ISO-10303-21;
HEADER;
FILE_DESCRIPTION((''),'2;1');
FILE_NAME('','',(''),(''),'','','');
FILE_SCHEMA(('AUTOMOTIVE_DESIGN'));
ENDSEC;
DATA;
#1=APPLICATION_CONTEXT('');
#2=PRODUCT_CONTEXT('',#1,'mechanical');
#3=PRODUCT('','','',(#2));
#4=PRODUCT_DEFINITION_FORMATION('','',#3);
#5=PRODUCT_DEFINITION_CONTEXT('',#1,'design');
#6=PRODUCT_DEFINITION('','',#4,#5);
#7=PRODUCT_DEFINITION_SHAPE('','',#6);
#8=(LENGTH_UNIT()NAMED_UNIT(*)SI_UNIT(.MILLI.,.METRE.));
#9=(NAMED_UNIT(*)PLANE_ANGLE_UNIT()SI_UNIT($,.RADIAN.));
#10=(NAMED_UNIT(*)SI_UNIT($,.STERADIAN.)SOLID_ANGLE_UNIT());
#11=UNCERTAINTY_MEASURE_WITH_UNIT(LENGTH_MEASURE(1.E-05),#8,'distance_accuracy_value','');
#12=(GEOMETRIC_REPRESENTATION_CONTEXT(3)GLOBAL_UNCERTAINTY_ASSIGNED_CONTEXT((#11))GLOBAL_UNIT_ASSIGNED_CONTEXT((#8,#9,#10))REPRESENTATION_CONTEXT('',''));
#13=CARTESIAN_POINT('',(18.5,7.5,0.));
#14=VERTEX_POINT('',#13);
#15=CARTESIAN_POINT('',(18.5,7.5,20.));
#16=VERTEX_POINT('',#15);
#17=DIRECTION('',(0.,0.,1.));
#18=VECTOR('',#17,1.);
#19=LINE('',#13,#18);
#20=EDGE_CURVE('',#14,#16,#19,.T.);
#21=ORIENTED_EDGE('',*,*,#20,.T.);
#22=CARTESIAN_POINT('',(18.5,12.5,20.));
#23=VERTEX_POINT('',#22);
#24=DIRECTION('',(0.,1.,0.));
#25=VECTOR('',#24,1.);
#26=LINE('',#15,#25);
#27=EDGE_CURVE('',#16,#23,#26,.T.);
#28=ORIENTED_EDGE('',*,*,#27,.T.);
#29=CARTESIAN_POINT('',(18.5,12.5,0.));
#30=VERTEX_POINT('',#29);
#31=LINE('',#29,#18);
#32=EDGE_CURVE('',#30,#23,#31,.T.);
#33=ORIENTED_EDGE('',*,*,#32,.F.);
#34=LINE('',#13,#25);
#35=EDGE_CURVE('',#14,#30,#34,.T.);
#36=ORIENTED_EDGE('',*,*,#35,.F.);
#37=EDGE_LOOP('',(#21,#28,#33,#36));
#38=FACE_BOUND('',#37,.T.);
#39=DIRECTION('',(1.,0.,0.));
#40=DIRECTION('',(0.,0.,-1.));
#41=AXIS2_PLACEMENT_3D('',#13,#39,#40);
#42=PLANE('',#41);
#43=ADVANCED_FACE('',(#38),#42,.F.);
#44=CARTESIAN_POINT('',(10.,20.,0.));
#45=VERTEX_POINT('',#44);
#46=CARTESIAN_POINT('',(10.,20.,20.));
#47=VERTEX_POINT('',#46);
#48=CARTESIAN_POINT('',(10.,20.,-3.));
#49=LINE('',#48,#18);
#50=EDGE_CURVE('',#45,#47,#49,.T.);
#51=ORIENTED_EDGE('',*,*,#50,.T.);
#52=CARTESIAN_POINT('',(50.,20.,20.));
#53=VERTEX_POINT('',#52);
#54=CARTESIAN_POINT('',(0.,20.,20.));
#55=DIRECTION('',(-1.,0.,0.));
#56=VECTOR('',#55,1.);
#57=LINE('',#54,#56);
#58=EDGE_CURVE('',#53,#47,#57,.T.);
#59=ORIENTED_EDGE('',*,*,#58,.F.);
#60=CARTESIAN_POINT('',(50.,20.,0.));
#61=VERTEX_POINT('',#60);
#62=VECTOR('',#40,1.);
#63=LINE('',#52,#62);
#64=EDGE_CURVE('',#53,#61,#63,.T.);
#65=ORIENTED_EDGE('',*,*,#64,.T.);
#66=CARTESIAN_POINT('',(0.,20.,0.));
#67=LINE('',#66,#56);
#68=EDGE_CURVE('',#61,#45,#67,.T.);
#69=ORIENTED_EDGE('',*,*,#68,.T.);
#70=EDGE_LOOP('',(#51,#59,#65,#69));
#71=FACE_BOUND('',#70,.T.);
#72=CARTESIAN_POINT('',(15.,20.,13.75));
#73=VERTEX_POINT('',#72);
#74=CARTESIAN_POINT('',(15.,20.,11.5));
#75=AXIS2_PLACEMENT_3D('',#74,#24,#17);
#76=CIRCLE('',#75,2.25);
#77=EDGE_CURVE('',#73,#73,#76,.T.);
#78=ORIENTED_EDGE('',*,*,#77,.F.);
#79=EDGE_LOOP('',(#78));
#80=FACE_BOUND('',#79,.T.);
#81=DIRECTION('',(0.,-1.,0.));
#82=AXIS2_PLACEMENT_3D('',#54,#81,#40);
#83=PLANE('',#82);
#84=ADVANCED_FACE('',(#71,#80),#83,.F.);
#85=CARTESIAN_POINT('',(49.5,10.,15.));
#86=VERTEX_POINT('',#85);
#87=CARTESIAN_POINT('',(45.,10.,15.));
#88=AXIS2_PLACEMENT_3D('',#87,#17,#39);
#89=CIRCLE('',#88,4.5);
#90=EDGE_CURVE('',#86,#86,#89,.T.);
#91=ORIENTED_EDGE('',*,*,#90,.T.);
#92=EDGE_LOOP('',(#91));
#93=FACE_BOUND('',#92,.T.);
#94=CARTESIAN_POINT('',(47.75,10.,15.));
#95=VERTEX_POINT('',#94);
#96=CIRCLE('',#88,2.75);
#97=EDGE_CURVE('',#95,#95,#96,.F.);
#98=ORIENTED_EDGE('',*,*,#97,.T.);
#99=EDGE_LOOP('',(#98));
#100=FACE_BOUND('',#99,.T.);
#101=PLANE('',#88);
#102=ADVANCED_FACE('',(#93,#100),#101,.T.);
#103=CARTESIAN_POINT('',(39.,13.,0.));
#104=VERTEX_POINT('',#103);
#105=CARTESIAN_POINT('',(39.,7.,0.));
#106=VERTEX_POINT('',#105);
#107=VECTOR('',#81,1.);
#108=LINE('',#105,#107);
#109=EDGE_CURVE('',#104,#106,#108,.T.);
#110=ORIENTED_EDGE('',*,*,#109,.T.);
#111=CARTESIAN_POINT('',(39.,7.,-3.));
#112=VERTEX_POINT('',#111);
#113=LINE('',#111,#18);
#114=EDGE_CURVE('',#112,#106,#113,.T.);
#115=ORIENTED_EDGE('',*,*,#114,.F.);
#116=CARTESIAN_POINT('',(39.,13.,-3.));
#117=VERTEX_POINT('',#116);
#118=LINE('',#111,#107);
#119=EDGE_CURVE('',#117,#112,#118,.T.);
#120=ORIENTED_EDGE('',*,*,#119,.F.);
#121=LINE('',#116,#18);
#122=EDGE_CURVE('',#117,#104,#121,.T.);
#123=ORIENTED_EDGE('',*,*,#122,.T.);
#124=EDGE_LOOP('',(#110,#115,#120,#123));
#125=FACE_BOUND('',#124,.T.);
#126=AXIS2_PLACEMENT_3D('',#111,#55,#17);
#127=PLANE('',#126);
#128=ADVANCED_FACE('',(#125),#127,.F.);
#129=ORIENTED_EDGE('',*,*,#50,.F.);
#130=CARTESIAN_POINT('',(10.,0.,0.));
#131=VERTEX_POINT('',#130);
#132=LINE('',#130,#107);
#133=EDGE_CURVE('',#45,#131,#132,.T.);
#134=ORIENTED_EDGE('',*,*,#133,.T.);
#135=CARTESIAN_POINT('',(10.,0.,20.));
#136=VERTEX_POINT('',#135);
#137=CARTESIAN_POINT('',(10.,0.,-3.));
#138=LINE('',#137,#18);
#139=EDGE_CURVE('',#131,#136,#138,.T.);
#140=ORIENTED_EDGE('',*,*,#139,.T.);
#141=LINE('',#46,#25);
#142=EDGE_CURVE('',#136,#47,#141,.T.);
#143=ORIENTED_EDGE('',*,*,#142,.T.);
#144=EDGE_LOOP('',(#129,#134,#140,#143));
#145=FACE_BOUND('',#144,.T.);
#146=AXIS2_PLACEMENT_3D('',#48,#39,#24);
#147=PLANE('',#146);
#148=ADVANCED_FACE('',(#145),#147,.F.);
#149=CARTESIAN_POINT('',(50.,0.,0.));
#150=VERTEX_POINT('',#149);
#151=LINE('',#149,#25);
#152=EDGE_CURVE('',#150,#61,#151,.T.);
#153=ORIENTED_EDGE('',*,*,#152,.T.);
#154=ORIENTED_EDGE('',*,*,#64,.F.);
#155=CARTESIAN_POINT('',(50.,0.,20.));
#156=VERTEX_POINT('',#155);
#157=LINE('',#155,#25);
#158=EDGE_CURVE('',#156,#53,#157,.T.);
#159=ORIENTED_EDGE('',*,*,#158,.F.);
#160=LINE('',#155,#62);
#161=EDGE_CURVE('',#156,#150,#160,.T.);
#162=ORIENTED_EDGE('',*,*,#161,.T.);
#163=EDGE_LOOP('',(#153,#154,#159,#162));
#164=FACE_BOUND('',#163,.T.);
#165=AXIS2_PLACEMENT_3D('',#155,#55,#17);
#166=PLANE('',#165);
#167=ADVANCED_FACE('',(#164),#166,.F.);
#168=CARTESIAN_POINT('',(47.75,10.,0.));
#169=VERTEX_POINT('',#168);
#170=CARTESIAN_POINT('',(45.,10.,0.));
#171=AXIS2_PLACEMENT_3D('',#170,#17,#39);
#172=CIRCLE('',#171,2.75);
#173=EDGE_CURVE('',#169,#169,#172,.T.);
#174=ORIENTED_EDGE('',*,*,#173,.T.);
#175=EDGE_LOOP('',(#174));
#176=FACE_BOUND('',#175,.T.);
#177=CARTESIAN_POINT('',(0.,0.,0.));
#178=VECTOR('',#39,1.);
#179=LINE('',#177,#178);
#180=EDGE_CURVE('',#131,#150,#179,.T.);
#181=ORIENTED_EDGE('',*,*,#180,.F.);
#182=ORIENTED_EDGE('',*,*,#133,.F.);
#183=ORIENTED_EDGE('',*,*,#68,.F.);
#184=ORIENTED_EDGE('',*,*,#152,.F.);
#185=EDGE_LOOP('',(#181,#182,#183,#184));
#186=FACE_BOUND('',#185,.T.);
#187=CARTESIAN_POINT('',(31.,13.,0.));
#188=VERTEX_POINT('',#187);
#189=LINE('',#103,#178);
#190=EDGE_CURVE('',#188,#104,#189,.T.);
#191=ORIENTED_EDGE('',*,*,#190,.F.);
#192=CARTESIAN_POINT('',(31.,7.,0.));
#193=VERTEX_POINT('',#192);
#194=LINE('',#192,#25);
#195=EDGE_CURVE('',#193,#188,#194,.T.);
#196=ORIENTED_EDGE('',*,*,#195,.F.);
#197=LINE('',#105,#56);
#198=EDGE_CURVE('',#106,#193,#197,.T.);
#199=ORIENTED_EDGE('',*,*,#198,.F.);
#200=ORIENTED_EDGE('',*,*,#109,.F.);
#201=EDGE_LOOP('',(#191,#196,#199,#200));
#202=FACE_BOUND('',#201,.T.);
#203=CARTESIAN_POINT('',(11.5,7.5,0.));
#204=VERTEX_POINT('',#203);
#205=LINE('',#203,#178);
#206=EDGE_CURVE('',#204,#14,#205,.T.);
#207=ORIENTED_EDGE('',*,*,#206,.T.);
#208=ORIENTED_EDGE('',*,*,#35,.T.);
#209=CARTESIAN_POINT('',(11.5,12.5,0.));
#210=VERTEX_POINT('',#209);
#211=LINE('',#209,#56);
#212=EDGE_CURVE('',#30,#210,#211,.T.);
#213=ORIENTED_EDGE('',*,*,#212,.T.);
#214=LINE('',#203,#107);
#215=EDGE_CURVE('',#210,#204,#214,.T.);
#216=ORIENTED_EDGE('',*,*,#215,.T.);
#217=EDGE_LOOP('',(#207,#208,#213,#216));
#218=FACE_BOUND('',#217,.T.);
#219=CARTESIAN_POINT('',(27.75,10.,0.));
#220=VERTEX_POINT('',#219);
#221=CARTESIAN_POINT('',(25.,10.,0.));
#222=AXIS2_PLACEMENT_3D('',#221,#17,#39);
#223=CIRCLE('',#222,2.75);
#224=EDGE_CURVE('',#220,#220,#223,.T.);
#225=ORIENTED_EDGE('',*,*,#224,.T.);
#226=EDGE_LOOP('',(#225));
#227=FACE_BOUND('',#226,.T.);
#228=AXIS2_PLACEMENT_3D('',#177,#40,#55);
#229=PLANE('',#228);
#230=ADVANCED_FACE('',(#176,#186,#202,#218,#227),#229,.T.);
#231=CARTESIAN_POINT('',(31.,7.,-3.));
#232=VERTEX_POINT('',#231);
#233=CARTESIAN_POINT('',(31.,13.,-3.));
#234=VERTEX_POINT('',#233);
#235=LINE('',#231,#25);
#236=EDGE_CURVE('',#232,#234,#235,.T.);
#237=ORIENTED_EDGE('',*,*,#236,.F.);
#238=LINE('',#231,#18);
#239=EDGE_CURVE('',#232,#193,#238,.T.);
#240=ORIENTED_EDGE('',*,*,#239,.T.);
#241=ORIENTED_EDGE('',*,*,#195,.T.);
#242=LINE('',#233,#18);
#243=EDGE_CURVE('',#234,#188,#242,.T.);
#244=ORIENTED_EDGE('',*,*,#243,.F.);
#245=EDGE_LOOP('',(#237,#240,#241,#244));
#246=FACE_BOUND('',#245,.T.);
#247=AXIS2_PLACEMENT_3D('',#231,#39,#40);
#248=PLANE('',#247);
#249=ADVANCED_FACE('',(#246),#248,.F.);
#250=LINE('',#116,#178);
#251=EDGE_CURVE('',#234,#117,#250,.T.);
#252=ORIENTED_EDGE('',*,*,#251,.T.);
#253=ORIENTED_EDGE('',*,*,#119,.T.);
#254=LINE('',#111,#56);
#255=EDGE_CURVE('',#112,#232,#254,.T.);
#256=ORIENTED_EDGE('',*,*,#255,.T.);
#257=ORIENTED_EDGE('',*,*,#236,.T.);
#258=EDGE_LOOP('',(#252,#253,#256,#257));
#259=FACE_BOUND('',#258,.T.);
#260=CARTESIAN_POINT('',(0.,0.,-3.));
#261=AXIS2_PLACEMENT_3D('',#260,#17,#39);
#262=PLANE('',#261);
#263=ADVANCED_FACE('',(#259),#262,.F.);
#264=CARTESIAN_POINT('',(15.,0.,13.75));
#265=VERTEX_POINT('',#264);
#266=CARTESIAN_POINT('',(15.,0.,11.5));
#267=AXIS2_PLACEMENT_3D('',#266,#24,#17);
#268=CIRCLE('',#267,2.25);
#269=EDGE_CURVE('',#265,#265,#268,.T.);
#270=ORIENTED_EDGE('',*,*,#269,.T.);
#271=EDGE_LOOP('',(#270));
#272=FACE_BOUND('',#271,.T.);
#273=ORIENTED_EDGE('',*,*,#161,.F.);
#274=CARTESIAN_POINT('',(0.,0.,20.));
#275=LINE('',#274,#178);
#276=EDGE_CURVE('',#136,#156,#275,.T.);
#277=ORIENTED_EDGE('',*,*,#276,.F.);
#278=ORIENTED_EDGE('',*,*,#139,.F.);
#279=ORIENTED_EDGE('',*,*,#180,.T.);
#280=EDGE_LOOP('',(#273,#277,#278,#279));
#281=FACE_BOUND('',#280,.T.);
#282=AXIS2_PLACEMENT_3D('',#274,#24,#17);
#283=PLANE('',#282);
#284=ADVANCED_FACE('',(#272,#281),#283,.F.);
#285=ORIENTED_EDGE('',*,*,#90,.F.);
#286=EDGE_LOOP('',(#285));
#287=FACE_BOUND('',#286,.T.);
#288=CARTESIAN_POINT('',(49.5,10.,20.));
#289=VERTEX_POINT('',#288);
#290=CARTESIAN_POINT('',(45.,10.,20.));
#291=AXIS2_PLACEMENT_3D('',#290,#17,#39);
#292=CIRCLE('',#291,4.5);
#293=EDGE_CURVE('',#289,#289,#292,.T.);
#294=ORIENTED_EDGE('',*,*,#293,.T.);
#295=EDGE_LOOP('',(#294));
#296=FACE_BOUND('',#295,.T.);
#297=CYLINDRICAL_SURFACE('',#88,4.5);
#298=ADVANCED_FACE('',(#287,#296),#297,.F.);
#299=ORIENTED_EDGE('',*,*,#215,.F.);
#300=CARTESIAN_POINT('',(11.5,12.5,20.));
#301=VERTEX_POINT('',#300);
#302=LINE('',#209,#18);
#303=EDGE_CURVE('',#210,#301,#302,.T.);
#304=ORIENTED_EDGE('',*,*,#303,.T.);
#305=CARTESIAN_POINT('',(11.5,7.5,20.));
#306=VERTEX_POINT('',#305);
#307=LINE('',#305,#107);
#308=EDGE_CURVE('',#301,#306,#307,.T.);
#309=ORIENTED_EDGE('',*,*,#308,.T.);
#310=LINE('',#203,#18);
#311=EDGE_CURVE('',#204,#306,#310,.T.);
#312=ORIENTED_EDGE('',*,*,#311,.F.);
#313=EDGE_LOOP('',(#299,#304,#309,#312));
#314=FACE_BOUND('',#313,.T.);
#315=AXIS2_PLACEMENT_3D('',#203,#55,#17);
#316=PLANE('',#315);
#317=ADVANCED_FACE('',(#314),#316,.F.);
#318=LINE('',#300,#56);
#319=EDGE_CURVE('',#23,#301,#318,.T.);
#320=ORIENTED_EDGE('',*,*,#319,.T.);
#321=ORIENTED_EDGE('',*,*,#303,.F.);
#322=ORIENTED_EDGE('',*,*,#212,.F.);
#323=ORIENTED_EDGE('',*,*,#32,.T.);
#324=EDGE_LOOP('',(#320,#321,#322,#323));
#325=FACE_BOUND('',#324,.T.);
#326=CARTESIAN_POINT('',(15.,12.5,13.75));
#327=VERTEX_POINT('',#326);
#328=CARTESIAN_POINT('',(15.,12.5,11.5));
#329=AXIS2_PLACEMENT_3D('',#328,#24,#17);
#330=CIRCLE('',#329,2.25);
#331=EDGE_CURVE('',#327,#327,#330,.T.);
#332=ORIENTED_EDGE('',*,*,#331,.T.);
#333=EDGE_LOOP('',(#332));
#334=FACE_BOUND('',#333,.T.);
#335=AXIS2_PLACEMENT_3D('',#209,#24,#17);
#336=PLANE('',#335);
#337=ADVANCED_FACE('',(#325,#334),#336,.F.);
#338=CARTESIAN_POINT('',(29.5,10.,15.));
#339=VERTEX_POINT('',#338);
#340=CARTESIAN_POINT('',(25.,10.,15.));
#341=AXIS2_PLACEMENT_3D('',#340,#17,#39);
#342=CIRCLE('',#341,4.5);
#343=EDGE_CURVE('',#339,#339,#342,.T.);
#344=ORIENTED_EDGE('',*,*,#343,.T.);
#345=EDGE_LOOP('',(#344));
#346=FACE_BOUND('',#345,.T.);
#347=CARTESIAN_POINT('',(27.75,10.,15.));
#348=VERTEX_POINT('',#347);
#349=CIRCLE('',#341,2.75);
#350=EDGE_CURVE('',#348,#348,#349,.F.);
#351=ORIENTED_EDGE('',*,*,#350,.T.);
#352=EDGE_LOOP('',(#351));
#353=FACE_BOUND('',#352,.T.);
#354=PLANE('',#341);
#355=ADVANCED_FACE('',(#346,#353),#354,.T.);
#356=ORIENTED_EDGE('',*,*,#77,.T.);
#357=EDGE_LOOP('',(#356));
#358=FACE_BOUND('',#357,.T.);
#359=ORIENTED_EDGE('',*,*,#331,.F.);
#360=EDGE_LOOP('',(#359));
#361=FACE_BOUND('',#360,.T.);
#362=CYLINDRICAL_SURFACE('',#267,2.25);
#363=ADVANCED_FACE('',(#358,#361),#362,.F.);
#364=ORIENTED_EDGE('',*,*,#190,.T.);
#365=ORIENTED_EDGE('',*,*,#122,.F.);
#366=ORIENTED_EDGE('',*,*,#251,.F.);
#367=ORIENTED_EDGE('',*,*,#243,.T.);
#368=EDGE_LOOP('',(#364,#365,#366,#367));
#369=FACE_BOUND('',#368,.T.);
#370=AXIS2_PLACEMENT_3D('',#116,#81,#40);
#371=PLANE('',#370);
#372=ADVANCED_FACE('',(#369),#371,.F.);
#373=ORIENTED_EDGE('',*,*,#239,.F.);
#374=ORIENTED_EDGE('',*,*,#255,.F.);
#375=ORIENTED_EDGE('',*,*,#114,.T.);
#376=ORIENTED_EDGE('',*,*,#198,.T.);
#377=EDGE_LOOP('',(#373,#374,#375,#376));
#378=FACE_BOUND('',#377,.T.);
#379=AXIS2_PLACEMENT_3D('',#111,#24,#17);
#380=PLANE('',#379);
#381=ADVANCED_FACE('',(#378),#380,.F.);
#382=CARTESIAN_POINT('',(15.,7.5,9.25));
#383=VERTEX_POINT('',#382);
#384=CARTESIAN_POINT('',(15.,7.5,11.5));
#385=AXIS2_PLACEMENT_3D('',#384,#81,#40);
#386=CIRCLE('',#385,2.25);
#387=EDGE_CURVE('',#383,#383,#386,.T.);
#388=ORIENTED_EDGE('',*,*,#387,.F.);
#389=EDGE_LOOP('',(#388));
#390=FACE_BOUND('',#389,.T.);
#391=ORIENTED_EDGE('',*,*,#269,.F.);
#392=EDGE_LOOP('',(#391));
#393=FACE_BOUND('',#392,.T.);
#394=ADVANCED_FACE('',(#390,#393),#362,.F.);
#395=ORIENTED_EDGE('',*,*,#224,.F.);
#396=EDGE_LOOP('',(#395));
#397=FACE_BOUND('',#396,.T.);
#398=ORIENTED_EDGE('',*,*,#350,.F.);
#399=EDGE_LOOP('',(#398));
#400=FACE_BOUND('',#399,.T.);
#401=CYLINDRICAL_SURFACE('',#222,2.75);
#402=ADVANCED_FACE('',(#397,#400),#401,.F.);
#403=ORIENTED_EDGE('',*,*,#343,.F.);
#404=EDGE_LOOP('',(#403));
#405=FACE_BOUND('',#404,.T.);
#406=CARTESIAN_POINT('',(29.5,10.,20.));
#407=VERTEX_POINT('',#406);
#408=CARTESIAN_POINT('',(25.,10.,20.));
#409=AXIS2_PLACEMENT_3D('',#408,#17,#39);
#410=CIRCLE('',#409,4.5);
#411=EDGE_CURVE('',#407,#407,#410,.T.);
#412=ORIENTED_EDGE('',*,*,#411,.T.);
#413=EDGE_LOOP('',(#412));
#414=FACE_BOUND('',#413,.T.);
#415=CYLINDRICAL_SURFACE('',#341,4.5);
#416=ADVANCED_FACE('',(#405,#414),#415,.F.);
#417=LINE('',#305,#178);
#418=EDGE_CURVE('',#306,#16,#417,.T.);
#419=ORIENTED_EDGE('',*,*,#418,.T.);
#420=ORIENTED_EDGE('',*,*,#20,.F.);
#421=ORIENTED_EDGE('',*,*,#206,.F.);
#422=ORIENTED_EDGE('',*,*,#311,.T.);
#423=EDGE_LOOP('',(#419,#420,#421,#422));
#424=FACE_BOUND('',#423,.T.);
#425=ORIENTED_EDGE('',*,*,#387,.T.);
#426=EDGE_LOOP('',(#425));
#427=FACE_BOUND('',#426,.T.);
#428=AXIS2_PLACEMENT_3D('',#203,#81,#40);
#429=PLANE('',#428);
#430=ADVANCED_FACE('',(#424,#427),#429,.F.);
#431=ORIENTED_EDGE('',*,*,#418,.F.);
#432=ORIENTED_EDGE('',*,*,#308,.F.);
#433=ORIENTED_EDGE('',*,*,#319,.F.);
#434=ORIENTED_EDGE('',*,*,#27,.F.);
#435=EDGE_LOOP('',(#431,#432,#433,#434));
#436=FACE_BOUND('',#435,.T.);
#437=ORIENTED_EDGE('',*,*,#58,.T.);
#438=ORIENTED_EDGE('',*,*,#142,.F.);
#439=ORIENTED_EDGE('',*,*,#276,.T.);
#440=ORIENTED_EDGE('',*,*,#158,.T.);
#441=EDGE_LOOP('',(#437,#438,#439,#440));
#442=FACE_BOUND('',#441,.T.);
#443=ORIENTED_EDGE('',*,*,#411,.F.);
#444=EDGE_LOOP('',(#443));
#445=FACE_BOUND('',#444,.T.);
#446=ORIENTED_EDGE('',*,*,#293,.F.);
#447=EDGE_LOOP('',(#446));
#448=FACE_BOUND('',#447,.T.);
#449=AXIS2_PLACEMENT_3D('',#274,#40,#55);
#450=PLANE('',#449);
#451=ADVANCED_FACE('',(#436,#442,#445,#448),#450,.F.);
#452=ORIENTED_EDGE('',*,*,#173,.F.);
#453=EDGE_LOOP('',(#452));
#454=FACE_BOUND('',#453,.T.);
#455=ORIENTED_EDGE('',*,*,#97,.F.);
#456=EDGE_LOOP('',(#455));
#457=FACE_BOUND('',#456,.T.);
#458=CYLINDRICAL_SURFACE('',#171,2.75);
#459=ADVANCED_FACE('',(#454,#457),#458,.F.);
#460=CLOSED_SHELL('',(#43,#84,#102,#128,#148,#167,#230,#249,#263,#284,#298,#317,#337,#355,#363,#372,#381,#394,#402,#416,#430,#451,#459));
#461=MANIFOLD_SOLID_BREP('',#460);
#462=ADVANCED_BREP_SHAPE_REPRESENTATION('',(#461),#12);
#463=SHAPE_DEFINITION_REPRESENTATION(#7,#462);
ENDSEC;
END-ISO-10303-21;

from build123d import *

# Parameters (mm, degrees)
SKETCH1_W           = 50
SKETCH1_H           = 20
BOSS_EXTRUDE1_DEPTH = 20
SKETCH2_R           = 2.75
SKETCH2_W           = 7
SKETCH2_H           = 5
CUT_EXTRUDE1_DEPTH  = 21
SKETCH3_R           = 2.25
CUT_EXTRUDE2_DEPTH  = 21
SKETCH5_W           = 8
SKETCH5_H           = 6
BOSS_EXTRUDE3_DEPTH = 3
SKETCH6_R           = 4.5
CUT_EXTRUDE3_DEPTH  = 5
SKETCH7_W           = 10
SKETCH7_H           = 20
CUT_EXTRUDE4_DEPTH  = 24


with BuildPart() as part:
    # Sketch1 → Boss-Extrude1 (new body)
    with BuildSketch(Plane.XY):
        with Locations((25, 10)):
            Rectangle(SKETCH1_W, SKETCH1_H)
    extrude(amount=BOSS_EXTRUDE1_DEPTH)

    # Sketch2 → Cut-Extrude1 (cut, through all)
    with BuildSketch(Plane.XY.offset(20)):
        with Locations((25, 10)):
            Circle(SKETCH2_R)
        with Locations((45, 10)):
            Circle(SKETCH2_R)
        with Locations((15, 10)):
            Rectangle(SKETCH2_W, SKETCH2_H)
    extrude(amount=-CUT_EXTRUDE1_DEPTH, mode=Mode.SUBTRACT)

    # Sketch3 → Cut-Extrude2 (cut, through all)
    with BuildSketch(Plane(origin=(0, 20, 0), x_dir=(1, 0, 0), z_dir=(0, 1, 0))):
        with Locations((15, -11.5)):
            Circle(SKETCH3_R)
    extrude(amount=-CUT_EXTRUDE2_DEPTH, mode=Mode.SUBTRACT)

    # Sketch5 → Boss-Extrude3 (add)
    with BuildSketch(Plane(origin=(0, 0, 0), x_dir=(-1, 0, 0), z_dir=(0, 0, -1))):
        with Locations((-35, 10)):
            Rectangle(SKETCH5_W, SKETCH5_H)
    extrude(amount=BOSS_EXTRUDE3_DEPTH)

    # Sketch6 → Cut-Extrude3 (cut)
    with BuildSketch(Plane.XY.offset(20)):
        with Locations((25, 10)):
            Circle(SKETCH6_R)
        with Locations((45, 10)):
            Circle(SKETCH6_R)
    extrude(amount=-CUT_EXTRUDE3_DEPTH, mode=Mode.SUBTRACT)

    # Sketch7 → Cut-Extrude4 (cut, through all)
    with BuildSketch(Plane.XY.offset(20)):
        with Locations((5, 10)):
            Rectangle(SKETCH7_W, SKETCH7_H)
    extrude(amount=-CUT_EXTRUDE4_DEPTH, mode=Mode.SUBTRACT)


solid = part.part
